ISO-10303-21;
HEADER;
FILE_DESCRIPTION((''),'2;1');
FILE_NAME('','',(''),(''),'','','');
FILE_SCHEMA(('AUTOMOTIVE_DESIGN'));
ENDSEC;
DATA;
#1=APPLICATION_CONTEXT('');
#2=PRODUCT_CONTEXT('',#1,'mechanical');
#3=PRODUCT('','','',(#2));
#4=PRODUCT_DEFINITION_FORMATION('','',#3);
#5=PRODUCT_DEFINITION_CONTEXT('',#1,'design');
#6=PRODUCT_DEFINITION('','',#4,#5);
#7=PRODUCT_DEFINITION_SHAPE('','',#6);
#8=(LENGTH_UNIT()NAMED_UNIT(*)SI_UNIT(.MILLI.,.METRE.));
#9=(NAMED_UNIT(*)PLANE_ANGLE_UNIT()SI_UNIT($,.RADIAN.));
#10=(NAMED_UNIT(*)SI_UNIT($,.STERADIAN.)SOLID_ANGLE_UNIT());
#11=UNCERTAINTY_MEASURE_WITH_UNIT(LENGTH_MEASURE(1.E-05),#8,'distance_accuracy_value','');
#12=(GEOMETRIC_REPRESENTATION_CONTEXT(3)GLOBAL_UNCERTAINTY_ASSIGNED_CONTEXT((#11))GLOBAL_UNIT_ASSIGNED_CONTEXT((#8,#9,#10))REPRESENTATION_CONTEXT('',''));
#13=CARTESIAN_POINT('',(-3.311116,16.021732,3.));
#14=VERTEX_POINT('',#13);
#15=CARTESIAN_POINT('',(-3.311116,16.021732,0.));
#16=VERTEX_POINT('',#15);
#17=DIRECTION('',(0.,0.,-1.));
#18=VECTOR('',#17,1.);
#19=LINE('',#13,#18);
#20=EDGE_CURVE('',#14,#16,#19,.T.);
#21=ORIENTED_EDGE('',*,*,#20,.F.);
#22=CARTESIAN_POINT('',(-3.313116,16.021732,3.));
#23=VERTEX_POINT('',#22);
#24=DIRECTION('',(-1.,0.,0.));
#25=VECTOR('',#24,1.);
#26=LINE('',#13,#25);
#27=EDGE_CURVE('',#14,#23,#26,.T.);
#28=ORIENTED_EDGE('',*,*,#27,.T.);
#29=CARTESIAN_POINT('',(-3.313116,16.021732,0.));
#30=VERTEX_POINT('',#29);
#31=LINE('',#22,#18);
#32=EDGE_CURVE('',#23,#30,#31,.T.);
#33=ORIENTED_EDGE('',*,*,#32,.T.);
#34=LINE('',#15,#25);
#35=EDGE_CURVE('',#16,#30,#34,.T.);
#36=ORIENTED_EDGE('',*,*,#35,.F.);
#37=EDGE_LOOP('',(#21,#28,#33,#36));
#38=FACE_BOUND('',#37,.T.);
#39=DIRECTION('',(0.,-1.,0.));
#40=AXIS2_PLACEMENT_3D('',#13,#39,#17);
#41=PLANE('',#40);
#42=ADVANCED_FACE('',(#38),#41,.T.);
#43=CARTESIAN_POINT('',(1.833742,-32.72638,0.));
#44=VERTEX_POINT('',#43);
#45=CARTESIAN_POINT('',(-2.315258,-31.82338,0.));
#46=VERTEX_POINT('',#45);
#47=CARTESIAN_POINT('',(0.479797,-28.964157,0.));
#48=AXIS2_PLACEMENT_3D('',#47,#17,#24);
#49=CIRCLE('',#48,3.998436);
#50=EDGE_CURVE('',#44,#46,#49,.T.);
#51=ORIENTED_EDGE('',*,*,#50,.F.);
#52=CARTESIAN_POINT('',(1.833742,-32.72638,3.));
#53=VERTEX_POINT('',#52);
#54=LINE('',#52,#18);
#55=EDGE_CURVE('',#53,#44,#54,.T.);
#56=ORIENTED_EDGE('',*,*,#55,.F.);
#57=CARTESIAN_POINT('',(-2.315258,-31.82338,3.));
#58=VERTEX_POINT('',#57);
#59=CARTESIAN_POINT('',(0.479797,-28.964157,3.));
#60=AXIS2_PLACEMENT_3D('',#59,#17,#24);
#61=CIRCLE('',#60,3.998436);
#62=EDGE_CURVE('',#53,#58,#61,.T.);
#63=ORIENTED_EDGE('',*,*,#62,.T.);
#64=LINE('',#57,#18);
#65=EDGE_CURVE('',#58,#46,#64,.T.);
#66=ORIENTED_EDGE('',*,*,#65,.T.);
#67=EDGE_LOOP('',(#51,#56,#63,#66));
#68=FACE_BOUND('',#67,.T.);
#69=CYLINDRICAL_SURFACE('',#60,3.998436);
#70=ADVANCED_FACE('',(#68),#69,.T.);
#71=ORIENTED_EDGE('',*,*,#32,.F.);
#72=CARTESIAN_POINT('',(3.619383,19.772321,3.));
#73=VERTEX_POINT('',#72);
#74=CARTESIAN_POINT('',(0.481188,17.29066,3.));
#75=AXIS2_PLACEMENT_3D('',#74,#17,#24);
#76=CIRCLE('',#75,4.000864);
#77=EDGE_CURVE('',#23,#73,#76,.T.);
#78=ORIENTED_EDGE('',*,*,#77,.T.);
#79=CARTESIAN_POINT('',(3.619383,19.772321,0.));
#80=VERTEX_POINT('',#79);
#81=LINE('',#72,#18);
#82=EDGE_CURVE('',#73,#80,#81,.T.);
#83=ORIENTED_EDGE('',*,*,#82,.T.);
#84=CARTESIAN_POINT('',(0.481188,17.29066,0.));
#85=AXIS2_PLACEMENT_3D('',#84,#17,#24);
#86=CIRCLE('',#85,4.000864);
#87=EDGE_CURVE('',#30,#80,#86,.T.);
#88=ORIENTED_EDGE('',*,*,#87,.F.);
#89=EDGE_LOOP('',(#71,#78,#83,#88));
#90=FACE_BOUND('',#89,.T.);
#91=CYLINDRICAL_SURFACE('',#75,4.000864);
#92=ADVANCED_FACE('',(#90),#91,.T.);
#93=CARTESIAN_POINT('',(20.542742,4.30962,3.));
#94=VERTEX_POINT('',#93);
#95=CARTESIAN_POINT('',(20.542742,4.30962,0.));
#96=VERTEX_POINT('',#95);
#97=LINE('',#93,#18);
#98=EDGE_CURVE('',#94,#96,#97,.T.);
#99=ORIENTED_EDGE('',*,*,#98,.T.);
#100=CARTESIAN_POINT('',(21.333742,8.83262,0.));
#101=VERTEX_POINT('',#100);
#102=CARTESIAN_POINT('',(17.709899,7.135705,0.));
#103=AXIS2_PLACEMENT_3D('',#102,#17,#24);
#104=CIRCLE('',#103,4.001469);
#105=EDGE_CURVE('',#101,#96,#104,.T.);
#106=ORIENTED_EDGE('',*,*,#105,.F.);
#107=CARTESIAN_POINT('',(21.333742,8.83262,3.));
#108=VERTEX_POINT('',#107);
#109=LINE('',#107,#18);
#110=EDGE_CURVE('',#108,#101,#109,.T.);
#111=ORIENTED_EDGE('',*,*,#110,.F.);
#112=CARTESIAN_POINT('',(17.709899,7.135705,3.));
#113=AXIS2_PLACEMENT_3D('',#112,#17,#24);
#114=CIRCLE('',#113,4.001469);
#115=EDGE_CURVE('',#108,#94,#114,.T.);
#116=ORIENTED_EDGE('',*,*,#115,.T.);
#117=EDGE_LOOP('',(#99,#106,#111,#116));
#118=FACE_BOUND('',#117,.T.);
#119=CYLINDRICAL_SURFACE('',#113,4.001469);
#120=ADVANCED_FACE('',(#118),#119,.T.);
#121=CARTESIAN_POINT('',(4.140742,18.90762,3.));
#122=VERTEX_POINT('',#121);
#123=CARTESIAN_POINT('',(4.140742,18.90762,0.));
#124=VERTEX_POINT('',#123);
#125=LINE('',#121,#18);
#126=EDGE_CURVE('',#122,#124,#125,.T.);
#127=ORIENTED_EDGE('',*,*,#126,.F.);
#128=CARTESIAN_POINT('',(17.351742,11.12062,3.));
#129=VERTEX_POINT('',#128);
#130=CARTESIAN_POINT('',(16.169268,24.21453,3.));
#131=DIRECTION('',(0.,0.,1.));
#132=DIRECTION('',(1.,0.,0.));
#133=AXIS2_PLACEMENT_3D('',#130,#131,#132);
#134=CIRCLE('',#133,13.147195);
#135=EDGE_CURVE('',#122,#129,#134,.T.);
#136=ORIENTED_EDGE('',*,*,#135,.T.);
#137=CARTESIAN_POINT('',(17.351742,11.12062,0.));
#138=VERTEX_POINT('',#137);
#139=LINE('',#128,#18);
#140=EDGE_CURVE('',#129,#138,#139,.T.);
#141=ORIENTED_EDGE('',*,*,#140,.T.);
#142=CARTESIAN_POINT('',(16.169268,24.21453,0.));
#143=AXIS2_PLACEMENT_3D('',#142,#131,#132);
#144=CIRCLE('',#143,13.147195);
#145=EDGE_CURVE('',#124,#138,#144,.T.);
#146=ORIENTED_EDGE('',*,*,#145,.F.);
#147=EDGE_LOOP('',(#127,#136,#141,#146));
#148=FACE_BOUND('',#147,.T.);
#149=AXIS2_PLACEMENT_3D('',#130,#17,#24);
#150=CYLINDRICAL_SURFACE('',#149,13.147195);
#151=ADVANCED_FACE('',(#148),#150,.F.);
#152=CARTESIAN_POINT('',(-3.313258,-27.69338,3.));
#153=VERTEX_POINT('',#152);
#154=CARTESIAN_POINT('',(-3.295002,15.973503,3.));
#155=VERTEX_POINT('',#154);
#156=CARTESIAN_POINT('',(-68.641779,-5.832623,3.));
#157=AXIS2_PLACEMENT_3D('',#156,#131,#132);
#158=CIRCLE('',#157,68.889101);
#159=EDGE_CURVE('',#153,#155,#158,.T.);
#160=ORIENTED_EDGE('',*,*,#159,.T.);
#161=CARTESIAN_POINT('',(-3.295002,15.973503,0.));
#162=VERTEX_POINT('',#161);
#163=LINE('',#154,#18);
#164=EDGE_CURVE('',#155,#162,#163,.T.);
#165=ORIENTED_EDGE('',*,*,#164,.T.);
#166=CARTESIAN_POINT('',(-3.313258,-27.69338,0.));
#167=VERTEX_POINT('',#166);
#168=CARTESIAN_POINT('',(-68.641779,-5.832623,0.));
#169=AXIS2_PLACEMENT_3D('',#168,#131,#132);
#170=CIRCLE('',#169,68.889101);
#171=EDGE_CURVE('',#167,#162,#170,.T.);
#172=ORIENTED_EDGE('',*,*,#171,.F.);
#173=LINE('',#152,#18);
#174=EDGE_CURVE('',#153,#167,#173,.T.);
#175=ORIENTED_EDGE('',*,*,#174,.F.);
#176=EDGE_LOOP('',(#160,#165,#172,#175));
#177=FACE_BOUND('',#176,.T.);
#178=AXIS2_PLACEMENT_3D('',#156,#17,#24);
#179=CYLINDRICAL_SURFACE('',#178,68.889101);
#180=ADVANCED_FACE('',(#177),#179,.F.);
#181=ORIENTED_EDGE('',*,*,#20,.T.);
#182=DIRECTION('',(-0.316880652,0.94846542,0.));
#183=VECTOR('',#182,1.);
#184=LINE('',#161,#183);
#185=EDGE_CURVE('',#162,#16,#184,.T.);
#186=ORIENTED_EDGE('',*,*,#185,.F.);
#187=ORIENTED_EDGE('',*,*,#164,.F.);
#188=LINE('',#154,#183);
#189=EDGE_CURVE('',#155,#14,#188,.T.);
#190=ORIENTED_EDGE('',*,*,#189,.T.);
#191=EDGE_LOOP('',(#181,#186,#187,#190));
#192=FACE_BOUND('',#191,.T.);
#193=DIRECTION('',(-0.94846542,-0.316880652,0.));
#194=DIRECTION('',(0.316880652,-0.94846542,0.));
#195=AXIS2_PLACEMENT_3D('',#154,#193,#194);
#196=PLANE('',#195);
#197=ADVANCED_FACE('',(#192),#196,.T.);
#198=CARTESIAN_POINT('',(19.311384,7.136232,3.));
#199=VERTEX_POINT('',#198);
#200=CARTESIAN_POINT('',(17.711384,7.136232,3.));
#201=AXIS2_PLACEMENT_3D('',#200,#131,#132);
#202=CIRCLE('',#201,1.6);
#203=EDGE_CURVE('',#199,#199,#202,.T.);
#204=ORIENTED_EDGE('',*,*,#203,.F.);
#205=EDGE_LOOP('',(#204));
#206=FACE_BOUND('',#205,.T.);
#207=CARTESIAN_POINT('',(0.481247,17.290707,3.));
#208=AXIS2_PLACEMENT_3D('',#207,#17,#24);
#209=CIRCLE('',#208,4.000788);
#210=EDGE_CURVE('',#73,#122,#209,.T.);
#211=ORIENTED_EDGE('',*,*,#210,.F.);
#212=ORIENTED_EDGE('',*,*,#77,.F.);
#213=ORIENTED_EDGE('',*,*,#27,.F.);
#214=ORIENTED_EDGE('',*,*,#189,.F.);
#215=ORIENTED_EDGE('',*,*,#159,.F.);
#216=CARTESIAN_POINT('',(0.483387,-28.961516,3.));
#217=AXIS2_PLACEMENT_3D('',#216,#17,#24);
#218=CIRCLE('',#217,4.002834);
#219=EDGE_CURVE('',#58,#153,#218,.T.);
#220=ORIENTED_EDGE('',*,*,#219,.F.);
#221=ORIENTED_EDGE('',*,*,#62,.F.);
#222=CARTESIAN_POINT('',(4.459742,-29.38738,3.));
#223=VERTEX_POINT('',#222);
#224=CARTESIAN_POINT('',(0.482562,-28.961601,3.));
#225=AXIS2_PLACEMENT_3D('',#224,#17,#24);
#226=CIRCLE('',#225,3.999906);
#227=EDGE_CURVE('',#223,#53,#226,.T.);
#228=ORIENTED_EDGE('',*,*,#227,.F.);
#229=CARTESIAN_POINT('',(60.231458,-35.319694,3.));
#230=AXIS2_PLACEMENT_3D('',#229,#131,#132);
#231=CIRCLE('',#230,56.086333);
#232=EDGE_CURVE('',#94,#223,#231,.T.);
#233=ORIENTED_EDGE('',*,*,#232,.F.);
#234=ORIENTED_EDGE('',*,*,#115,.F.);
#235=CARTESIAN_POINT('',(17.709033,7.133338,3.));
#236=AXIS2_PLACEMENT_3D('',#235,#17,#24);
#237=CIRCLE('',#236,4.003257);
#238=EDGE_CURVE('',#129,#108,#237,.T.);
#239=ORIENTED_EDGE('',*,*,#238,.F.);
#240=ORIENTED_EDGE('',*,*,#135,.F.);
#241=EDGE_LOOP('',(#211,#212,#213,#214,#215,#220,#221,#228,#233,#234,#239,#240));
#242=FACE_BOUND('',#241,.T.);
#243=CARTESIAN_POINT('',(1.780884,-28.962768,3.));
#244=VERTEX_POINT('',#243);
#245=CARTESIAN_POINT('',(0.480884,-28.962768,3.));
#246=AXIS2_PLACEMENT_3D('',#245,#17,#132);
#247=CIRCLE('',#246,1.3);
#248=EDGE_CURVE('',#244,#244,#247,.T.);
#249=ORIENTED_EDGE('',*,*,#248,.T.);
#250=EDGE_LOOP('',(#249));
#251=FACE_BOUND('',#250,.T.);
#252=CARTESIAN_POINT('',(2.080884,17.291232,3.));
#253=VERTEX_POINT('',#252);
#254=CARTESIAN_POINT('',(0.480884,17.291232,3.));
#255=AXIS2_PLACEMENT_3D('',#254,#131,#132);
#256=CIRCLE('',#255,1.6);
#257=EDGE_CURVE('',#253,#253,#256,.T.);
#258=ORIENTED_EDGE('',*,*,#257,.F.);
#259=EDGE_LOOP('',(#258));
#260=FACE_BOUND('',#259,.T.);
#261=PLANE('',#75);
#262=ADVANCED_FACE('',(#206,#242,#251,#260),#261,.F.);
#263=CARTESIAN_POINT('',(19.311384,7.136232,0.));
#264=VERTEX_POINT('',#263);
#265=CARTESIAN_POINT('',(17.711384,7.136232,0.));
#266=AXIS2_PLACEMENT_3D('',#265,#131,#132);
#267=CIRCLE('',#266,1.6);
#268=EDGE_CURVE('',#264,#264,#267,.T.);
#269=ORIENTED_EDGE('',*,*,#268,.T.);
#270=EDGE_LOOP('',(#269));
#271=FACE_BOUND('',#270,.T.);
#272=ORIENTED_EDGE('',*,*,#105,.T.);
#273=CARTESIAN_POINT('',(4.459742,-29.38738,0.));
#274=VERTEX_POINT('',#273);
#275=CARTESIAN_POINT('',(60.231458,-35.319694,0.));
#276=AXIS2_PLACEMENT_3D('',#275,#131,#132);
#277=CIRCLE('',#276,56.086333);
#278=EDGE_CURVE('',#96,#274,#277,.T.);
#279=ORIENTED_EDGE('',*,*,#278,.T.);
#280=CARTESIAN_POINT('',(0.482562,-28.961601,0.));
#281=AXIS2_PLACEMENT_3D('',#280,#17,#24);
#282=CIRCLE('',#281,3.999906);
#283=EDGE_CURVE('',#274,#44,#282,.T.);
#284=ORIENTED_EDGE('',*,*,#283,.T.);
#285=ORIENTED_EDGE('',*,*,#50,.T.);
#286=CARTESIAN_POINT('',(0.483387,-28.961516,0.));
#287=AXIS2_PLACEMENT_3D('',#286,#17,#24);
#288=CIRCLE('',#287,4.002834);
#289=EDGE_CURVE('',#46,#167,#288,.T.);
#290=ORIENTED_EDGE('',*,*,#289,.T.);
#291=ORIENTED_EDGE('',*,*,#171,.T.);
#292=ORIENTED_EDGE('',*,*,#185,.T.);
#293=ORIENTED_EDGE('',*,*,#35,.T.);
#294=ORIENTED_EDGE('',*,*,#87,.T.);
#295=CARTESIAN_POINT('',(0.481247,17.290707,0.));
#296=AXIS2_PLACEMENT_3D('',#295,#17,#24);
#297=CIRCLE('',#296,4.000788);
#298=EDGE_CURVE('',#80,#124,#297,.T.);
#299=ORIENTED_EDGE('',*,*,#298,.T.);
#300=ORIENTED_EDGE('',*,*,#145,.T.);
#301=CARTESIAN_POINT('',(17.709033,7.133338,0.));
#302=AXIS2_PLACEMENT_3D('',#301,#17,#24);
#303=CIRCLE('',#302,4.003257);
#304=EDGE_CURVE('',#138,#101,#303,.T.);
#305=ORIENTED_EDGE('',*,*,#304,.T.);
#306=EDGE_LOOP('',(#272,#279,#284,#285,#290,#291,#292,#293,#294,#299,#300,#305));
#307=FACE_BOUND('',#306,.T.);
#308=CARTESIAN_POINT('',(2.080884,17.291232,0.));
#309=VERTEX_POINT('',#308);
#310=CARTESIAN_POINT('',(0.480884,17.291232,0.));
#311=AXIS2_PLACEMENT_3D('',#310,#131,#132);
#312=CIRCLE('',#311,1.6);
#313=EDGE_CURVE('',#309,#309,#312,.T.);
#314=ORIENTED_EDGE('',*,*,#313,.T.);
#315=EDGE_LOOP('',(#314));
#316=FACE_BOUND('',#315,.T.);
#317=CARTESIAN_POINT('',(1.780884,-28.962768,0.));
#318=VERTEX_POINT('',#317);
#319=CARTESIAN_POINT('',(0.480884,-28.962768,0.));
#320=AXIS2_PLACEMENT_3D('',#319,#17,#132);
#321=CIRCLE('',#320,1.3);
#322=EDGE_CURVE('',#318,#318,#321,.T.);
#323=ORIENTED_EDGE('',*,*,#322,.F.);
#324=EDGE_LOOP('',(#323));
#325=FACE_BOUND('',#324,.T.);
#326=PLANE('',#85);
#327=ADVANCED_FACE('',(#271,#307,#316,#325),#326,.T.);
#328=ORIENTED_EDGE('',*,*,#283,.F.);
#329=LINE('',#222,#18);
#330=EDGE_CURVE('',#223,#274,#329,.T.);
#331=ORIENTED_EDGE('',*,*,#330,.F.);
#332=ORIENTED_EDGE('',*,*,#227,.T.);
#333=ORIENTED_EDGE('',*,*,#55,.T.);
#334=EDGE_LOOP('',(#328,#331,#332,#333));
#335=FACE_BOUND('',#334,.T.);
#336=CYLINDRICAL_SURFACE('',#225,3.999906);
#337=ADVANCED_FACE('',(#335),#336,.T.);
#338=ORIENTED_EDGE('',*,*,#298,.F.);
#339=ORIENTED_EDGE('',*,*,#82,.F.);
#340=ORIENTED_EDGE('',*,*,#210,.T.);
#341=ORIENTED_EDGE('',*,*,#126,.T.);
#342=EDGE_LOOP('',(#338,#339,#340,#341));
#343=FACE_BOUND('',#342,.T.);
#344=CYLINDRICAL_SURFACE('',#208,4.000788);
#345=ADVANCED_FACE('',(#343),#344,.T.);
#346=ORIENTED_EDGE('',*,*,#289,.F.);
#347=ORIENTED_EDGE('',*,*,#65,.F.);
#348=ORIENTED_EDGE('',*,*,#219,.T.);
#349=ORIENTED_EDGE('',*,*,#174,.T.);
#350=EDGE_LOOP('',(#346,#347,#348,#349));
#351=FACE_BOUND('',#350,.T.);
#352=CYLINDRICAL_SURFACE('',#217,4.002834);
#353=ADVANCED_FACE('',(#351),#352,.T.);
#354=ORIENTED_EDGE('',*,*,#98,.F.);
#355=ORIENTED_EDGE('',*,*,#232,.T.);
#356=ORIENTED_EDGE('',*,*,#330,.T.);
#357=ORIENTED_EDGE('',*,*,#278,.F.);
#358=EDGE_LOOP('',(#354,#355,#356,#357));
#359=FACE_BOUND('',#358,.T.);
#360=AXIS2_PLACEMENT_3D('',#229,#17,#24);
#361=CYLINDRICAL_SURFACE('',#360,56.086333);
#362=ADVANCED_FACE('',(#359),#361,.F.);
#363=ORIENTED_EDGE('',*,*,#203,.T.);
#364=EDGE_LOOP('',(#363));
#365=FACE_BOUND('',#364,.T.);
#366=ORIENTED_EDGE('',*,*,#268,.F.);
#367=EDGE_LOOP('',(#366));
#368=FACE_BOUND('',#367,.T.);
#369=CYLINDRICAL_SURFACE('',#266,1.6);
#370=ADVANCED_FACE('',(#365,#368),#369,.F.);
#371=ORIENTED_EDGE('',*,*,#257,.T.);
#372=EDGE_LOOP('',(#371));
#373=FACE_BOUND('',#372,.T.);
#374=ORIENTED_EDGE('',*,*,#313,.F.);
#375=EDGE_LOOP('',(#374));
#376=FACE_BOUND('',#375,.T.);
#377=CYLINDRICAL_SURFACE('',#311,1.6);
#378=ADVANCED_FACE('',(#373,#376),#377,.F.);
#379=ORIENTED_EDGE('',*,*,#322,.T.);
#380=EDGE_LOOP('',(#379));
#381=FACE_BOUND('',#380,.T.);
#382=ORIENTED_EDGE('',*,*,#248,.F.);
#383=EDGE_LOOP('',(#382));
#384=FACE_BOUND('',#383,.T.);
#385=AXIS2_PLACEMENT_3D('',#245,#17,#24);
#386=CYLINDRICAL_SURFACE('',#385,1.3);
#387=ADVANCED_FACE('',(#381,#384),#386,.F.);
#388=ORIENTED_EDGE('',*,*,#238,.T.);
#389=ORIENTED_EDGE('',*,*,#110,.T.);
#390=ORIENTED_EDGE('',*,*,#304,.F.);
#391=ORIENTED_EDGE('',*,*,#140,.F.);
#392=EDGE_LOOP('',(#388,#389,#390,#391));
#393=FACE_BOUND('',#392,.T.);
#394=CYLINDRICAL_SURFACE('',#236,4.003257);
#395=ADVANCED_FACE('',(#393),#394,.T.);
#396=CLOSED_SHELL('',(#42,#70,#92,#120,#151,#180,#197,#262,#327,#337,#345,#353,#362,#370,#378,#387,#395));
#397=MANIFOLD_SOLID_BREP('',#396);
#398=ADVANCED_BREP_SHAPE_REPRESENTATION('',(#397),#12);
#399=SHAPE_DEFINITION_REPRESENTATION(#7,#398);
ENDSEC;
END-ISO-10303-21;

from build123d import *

# Parameters (mm, degrees)
SKETCH_1_R          = 1.35
SKETCH_1_R_2        = 1.3
EXTRUDE_1_DEPTH     = 3
SKETCH_2_R          = 1.6
CUT_EXTRUDE_1_DEPTH = 40.58429055


with BuildPart() as part:
    # 草图1 → 凸台-拉伸1 (new body)
    with BuildSketch(Plane(origin=(0, 0, 0), x_dir=(-1, 0, 0), z_dir=(0, 0, -1))):
        with BuildLine():
            Line((3.311115848, 16.021732214), (3.313115848, 16.021732214))
            ThreePointArc((3.313115848, 16.021732214), (1.422584465, 20.809546819), (-3.619383376, 19.772320768))
            ThreePointArc((-3.619383376, 19.772320768), (-3.907451025, 19.356483629), (-4.140741668, 18.907619539))
            ThreePointArc((-4.140741668, 18.907619539), (-9.493299368, 12.888445888), (-17.351741668, 11.120619539))
            ThreePointArc((-17.351741668, 11.120619539), (-19.703460244, 10.604408599), (-21.333741668, 8.832619539))
            ThreePointArc((-21.333741668, 8.832619539), (-21.651545732, 6.446374123), (-20.542741668, 4.309619539))
            ThreePointArc((-20.542741668, 4.309619539), (-9.614805592, -11.161234041), (-4.459741668, -29.387380461))
            ThreePointArc((-4.459741668, -29.387380461), (-3.626617209, -31.434284825), (-1.833741668, -32.726380461))
            ThreePointArc((-1.833741668, -32.726380461), (0.370527809, -32.871130249), (2.315258332, -31.823380461))
            ThreePointArc((2.315258332, -31.823380461), (3.407459975, -29.901725556), (3.313258332, -27.693380461))
            ThreePointArc((3.313258332, -27.693380461), (-0.247316641, -5.861423686), (3.295002421, 15.973502613))
            Line((3.295002421, 15.973502613), (3.311115848, 16.021732214))
        make_face()
        with Locations(Location((-17.711384152, 7.136232214, 0), (0, 0, 180))):
            Circle(SKETCH_1_R, mode=Mode.SUBTRACT)
        with Locations(Location((-0.480884152, -28.962767786, 0), (0, 0, 180))):
            Circle(SKETCH_1_R_2, mode=Mode.SUBTRACT)
        with Locations(Location((-0.480884152, 17.291232214, 0), (0, 0, 180))):
            Circle(SKETCH_1_R_2, mode=Mode.SUBTRACT)
    extrude(amount=-EXTRUDE_1_DEPTH)

    # 草图2 → 切除-拉伸1 (cut, through all)
    with BuildSketch(Plane.XY.offset(3)):
        with Locations((0.480884152, 17.291232214)):
            Circle(SKETCH_2_R)
        with Locations((17.711384152, 7.136232214)):
            Circle(SKETCH_2_R)
    extrude(amount=-CUT_EXTRUDE_1_DEPTH, mode=Mode.SUBTRACT)


solid = part.part
